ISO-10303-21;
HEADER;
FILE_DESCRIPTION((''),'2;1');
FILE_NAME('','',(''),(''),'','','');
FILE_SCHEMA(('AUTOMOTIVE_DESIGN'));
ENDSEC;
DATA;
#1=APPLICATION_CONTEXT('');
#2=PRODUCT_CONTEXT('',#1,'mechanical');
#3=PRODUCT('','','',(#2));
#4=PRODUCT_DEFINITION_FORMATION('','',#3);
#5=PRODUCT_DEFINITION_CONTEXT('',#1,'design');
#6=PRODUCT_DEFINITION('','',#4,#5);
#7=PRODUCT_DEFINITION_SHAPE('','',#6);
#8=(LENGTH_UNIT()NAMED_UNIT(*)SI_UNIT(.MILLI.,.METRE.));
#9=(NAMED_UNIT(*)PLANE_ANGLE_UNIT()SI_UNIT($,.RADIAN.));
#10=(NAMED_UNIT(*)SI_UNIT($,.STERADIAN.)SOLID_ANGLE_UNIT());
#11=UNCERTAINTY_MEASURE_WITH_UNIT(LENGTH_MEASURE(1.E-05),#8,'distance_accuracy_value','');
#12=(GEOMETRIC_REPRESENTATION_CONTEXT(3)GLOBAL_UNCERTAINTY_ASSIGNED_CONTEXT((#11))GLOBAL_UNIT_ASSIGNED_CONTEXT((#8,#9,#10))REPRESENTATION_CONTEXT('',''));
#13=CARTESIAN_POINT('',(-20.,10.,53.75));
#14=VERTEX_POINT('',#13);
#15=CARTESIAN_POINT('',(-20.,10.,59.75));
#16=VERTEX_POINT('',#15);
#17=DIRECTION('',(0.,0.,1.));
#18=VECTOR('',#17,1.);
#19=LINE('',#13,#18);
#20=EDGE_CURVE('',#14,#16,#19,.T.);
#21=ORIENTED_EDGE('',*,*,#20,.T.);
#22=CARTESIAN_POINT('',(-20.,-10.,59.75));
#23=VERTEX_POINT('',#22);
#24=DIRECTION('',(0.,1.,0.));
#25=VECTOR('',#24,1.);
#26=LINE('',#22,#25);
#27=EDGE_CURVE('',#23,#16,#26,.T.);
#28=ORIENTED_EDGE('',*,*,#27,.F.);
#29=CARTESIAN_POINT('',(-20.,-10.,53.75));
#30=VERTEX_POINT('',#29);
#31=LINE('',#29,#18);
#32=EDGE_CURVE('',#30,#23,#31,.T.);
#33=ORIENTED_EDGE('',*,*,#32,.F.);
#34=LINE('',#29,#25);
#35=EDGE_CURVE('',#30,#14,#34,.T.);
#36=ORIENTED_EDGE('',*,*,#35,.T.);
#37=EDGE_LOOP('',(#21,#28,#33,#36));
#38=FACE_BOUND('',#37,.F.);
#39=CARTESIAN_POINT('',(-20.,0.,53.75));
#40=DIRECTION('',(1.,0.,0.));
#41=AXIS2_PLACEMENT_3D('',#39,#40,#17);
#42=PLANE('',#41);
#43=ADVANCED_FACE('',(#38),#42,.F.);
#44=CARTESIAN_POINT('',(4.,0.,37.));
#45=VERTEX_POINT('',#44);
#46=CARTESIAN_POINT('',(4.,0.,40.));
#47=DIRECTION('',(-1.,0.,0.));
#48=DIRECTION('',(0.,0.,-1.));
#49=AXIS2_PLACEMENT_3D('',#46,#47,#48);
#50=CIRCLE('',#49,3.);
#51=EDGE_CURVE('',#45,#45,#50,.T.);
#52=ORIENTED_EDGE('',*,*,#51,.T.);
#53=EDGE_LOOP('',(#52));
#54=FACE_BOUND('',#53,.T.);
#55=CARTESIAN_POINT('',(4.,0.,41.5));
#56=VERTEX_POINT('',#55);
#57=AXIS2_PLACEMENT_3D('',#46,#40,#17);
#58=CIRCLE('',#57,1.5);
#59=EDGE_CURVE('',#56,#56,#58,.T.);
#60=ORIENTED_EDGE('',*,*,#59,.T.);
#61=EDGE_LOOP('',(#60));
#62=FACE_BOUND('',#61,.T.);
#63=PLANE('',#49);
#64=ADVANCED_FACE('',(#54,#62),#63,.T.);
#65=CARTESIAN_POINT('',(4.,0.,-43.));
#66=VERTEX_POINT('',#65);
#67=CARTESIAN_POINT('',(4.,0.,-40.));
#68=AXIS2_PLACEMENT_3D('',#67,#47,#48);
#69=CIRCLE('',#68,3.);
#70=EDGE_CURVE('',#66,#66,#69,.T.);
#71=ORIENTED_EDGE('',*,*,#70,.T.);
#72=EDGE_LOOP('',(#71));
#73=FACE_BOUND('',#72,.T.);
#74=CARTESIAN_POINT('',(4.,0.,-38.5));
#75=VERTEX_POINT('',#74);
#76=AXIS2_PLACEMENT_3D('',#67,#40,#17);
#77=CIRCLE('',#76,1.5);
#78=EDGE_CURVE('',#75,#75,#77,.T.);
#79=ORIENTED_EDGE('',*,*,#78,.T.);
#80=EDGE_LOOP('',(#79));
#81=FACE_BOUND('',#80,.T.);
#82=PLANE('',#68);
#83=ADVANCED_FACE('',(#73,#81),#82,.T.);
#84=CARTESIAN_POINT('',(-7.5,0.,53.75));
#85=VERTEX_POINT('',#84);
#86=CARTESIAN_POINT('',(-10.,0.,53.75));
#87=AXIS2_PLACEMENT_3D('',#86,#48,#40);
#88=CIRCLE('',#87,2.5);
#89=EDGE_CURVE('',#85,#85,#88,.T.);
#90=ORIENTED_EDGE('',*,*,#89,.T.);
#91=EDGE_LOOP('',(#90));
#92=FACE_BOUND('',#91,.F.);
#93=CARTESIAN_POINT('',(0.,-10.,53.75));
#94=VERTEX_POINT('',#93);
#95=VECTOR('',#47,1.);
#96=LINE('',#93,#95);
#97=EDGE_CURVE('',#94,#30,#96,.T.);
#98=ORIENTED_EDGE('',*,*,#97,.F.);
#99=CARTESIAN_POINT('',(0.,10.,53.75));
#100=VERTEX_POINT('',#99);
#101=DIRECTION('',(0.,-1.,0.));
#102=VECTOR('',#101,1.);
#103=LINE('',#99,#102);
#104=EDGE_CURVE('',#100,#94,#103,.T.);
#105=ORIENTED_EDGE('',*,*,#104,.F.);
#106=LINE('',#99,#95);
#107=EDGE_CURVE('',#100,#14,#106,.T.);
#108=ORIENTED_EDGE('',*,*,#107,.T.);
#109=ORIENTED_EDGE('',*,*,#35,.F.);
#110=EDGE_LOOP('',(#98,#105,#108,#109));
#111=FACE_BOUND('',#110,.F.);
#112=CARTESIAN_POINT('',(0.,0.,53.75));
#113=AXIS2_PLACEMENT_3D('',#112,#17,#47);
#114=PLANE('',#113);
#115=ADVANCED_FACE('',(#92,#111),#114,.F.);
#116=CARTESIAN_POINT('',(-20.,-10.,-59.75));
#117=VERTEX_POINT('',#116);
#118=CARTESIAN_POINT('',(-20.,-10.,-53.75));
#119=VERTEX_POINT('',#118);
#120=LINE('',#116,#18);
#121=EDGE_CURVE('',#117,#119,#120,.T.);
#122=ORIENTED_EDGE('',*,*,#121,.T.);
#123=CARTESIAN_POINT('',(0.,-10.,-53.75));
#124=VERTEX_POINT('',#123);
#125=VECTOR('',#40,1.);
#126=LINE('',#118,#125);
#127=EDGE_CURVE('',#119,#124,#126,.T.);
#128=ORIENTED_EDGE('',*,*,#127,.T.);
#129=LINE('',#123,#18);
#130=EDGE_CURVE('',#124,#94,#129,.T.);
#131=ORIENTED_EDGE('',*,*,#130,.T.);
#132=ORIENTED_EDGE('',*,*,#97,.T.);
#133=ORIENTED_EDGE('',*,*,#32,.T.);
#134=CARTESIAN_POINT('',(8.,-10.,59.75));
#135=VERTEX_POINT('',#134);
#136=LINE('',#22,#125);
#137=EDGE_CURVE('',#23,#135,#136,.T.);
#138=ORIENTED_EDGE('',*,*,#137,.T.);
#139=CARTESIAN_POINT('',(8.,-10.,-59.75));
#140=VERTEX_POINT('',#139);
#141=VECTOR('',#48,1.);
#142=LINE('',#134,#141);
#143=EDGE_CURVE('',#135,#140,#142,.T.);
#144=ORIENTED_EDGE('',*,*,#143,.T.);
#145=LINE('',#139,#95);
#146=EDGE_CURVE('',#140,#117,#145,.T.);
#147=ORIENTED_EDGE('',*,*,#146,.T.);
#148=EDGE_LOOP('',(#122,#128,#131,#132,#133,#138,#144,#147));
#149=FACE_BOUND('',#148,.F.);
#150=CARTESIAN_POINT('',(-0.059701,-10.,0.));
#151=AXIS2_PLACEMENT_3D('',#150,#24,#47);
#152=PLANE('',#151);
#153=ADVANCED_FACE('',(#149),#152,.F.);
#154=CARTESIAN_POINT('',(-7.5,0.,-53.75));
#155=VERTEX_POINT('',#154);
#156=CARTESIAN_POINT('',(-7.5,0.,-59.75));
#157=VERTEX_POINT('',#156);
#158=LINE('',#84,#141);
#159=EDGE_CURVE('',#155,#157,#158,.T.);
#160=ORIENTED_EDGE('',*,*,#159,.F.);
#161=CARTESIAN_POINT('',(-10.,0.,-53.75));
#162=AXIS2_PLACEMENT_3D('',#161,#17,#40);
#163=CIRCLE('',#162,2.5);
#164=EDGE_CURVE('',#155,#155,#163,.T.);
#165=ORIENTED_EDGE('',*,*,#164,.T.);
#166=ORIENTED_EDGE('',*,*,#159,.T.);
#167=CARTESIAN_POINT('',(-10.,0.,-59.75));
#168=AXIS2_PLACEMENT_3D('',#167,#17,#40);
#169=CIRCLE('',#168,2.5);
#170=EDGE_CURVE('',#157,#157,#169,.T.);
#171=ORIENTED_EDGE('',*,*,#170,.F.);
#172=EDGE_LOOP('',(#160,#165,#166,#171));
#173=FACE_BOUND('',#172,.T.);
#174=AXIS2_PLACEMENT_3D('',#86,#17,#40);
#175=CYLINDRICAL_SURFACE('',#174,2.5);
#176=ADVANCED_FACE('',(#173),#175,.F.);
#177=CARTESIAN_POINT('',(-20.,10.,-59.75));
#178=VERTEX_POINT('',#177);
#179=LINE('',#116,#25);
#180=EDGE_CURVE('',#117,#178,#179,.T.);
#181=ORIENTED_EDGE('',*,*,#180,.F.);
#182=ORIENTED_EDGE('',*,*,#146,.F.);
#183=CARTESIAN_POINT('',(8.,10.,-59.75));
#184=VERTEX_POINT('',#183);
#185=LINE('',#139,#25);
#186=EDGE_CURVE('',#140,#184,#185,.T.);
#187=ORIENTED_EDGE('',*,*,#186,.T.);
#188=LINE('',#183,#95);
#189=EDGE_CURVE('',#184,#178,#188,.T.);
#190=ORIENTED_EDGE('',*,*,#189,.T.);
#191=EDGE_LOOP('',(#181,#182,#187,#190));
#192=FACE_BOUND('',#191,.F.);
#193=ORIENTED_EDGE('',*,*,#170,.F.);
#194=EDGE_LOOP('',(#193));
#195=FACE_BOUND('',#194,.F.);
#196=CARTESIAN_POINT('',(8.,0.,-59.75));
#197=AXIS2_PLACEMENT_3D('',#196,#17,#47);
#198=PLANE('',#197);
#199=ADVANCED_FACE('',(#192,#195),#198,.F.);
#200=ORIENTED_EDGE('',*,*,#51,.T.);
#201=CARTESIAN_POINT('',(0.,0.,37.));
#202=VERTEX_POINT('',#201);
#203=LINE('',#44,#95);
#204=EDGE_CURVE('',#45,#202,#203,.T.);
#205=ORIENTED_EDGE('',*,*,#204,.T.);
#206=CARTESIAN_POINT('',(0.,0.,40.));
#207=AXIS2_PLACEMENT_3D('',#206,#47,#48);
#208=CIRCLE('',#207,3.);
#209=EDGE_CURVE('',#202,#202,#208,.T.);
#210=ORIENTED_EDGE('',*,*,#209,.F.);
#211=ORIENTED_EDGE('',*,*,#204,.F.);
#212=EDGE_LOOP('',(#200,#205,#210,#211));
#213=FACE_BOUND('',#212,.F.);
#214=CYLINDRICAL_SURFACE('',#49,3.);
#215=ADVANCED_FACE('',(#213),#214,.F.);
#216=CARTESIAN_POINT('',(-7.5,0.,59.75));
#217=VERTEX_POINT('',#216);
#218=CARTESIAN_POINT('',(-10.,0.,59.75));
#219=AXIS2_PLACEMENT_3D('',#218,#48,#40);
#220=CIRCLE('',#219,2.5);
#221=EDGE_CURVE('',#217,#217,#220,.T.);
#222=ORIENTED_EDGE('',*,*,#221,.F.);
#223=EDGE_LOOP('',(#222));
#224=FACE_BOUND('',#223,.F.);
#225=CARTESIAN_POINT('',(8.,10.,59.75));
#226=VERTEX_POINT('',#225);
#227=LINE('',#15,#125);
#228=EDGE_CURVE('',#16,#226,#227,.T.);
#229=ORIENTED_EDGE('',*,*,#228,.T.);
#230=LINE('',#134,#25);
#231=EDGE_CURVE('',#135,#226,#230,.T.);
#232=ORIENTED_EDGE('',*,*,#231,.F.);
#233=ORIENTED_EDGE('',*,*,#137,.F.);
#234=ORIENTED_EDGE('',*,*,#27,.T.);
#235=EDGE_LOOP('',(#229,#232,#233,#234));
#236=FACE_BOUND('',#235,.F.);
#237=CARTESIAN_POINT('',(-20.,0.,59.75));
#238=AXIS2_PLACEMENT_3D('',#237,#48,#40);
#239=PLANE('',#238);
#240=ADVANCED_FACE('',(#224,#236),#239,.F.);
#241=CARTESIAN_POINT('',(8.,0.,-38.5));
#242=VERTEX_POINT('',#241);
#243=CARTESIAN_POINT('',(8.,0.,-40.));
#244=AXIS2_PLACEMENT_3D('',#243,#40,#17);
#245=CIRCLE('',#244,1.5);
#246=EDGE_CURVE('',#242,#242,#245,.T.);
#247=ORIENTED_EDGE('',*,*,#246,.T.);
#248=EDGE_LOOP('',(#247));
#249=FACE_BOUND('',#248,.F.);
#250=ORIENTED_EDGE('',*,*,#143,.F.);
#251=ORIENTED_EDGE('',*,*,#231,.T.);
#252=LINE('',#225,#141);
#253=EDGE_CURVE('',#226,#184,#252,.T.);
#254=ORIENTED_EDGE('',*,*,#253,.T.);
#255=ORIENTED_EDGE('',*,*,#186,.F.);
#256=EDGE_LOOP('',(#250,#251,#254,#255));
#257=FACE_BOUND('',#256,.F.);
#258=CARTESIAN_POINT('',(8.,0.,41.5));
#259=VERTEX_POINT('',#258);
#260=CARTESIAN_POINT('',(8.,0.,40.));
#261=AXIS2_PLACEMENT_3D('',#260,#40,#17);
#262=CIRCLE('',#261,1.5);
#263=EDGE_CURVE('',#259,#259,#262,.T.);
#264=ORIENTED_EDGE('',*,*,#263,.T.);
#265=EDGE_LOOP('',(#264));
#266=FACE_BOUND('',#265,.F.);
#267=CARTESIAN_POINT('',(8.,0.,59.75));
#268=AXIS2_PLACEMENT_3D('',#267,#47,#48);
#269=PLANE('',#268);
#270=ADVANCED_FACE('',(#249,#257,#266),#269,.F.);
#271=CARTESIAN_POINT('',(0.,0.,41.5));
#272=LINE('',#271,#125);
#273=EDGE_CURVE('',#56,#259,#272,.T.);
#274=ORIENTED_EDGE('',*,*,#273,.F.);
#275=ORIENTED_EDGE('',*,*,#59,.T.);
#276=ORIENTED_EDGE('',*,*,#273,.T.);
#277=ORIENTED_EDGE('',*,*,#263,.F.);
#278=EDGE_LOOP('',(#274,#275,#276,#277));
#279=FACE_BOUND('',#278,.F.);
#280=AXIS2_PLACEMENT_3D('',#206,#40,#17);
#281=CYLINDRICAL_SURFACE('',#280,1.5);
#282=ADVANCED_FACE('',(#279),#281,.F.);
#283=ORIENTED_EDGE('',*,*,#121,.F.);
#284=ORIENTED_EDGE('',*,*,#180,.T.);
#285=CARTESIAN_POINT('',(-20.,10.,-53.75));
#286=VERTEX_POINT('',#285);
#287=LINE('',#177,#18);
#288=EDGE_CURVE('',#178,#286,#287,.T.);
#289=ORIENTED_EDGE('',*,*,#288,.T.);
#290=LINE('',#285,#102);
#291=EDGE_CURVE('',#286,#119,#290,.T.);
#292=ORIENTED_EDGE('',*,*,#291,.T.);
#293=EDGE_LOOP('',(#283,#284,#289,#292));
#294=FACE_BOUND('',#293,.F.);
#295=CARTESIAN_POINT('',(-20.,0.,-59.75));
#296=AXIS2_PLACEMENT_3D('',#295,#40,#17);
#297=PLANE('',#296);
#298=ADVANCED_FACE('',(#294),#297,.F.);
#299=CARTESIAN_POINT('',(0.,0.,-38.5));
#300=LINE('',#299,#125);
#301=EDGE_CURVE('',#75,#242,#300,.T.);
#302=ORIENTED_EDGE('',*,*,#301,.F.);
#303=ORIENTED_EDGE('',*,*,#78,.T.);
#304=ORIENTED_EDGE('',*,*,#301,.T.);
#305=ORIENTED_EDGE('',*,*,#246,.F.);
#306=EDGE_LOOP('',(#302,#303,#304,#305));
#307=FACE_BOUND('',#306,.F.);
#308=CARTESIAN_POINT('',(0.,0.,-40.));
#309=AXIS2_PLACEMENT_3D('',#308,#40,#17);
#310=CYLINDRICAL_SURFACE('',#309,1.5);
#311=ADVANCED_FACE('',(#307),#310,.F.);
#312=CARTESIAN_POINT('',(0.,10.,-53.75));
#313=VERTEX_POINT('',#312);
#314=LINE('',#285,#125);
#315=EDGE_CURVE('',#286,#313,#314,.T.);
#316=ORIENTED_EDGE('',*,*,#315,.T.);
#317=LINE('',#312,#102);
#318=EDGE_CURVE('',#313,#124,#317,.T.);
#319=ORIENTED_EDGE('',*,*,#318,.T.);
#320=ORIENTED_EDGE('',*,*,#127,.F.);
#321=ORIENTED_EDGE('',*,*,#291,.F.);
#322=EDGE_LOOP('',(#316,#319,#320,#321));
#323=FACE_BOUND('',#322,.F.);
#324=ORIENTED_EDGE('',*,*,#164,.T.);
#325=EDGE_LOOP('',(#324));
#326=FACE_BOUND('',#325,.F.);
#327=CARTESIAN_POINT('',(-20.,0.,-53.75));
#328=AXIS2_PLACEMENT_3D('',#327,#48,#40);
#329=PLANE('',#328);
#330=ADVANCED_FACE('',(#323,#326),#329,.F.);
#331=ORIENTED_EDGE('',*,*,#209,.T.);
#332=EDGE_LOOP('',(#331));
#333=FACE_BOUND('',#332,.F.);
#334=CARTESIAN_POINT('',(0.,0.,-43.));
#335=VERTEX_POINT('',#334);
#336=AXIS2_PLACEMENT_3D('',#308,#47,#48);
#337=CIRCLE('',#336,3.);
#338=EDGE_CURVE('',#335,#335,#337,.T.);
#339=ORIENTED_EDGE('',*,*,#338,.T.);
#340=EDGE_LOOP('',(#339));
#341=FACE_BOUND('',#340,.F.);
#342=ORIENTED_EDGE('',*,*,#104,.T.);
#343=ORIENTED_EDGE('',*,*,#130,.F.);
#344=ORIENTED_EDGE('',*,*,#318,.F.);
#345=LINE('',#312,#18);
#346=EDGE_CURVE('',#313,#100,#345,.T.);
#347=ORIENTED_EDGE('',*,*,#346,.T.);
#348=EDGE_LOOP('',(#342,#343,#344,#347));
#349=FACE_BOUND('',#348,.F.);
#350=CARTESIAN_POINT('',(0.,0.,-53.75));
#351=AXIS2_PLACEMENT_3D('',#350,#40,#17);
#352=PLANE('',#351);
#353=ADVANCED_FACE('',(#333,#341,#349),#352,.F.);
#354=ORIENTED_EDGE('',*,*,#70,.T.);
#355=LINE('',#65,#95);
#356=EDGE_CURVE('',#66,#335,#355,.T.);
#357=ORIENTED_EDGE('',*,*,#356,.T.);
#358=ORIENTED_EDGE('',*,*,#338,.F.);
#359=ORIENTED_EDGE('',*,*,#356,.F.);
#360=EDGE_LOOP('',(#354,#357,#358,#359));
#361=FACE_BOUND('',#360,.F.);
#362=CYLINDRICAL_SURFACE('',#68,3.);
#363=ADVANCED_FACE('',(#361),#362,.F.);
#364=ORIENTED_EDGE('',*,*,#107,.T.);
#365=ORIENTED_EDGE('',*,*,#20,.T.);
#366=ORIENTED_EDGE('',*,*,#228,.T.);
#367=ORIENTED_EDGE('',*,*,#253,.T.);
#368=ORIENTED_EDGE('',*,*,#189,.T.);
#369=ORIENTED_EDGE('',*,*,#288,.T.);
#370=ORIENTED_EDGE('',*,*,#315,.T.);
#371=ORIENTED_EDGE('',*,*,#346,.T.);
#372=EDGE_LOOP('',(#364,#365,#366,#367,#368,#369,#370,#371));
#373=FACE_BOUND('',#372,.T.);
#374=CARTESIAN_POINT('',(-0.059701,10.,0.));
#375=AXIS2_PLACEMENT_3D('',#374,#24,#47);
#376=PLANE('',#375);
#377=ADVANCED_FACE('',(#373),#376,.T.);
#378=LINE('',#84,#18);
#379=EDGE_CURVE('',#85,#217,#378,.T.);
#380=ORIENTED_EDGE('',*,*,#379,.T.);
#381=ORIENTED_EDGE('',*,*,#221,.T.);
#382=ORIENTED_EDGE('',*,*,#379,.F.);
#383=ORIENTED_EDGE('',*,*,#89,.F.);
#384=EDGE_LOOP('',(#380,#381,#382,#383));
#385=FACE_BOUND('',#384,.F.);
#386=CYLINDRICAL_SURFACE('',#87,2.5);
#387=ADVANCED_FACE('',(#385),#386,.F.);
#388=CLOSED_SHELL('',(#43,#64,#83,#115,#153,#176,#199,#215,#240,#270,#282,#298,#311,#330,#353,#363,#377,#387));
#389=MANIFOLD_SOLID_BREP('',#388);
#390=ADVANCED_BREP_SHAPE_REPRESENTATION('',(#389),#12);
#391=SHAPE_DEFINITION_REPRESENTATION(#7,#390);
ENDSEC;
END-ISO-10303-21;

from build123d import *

# Parameters (mm, degrees)
PAD003_DEPTH        = 10
HOLE004_D           = 3
HOLE004_DEPTH       = 25
HOLE004_CBORE_D     = 6
HOLE004_CBORE_DEPTH = 4
SKETCH009_R         = 2.5
POCKET_DEPTH        = 6.001
POCKET_DEPTH_BACK   = 113.501


with BuildPart() as part:
    # Sketch007 → Pad003 (new body, symmetric)
    with BuildSketch(Plane.XZ):
        Polygon((0, 53.75), (-20, 53.75), (-20, 59.75), (8, 59.75), (8, -59.75), (-20, -59.75), (-20, -53.75), (0, -53.75), align=None)
    extrude(amount=PAD003_DEPTH, both=True)

    # Hole004
    with Locations(Plane(origin=(0, 0, 0), x_dir=(0, 0, -1), z_dir=(-1, 0, 0))):
        with Locations((-40, 0), (40, 0)):
            CounterBoreHole(HOLE004_D / 2, HOLE004_CBORE_D / 2, HOLE004_CBORE_DEPTH, depth=HOLE004_DEPTH)

    # Sketch009 (on Face1 of Hole004) → Pocket (cut, two sides)
    with BuildSketch(Plane(origin=(0, 0, 53.75), x_dir=(1, 0, 0), z_dir=(0, 0, -1))) as pocket_sk:
        with Locations((-10, 0)):
            Circle(SKETCH009_R)
    extrude(amount=-POCKET_DEPTH, mode=Mode.SUBTRACT)
    extrude(pocket_sk.sketch, amount=POCKET_DEPTH_BACK, mode=Mode.SUBTRACT)


solid = part.part
